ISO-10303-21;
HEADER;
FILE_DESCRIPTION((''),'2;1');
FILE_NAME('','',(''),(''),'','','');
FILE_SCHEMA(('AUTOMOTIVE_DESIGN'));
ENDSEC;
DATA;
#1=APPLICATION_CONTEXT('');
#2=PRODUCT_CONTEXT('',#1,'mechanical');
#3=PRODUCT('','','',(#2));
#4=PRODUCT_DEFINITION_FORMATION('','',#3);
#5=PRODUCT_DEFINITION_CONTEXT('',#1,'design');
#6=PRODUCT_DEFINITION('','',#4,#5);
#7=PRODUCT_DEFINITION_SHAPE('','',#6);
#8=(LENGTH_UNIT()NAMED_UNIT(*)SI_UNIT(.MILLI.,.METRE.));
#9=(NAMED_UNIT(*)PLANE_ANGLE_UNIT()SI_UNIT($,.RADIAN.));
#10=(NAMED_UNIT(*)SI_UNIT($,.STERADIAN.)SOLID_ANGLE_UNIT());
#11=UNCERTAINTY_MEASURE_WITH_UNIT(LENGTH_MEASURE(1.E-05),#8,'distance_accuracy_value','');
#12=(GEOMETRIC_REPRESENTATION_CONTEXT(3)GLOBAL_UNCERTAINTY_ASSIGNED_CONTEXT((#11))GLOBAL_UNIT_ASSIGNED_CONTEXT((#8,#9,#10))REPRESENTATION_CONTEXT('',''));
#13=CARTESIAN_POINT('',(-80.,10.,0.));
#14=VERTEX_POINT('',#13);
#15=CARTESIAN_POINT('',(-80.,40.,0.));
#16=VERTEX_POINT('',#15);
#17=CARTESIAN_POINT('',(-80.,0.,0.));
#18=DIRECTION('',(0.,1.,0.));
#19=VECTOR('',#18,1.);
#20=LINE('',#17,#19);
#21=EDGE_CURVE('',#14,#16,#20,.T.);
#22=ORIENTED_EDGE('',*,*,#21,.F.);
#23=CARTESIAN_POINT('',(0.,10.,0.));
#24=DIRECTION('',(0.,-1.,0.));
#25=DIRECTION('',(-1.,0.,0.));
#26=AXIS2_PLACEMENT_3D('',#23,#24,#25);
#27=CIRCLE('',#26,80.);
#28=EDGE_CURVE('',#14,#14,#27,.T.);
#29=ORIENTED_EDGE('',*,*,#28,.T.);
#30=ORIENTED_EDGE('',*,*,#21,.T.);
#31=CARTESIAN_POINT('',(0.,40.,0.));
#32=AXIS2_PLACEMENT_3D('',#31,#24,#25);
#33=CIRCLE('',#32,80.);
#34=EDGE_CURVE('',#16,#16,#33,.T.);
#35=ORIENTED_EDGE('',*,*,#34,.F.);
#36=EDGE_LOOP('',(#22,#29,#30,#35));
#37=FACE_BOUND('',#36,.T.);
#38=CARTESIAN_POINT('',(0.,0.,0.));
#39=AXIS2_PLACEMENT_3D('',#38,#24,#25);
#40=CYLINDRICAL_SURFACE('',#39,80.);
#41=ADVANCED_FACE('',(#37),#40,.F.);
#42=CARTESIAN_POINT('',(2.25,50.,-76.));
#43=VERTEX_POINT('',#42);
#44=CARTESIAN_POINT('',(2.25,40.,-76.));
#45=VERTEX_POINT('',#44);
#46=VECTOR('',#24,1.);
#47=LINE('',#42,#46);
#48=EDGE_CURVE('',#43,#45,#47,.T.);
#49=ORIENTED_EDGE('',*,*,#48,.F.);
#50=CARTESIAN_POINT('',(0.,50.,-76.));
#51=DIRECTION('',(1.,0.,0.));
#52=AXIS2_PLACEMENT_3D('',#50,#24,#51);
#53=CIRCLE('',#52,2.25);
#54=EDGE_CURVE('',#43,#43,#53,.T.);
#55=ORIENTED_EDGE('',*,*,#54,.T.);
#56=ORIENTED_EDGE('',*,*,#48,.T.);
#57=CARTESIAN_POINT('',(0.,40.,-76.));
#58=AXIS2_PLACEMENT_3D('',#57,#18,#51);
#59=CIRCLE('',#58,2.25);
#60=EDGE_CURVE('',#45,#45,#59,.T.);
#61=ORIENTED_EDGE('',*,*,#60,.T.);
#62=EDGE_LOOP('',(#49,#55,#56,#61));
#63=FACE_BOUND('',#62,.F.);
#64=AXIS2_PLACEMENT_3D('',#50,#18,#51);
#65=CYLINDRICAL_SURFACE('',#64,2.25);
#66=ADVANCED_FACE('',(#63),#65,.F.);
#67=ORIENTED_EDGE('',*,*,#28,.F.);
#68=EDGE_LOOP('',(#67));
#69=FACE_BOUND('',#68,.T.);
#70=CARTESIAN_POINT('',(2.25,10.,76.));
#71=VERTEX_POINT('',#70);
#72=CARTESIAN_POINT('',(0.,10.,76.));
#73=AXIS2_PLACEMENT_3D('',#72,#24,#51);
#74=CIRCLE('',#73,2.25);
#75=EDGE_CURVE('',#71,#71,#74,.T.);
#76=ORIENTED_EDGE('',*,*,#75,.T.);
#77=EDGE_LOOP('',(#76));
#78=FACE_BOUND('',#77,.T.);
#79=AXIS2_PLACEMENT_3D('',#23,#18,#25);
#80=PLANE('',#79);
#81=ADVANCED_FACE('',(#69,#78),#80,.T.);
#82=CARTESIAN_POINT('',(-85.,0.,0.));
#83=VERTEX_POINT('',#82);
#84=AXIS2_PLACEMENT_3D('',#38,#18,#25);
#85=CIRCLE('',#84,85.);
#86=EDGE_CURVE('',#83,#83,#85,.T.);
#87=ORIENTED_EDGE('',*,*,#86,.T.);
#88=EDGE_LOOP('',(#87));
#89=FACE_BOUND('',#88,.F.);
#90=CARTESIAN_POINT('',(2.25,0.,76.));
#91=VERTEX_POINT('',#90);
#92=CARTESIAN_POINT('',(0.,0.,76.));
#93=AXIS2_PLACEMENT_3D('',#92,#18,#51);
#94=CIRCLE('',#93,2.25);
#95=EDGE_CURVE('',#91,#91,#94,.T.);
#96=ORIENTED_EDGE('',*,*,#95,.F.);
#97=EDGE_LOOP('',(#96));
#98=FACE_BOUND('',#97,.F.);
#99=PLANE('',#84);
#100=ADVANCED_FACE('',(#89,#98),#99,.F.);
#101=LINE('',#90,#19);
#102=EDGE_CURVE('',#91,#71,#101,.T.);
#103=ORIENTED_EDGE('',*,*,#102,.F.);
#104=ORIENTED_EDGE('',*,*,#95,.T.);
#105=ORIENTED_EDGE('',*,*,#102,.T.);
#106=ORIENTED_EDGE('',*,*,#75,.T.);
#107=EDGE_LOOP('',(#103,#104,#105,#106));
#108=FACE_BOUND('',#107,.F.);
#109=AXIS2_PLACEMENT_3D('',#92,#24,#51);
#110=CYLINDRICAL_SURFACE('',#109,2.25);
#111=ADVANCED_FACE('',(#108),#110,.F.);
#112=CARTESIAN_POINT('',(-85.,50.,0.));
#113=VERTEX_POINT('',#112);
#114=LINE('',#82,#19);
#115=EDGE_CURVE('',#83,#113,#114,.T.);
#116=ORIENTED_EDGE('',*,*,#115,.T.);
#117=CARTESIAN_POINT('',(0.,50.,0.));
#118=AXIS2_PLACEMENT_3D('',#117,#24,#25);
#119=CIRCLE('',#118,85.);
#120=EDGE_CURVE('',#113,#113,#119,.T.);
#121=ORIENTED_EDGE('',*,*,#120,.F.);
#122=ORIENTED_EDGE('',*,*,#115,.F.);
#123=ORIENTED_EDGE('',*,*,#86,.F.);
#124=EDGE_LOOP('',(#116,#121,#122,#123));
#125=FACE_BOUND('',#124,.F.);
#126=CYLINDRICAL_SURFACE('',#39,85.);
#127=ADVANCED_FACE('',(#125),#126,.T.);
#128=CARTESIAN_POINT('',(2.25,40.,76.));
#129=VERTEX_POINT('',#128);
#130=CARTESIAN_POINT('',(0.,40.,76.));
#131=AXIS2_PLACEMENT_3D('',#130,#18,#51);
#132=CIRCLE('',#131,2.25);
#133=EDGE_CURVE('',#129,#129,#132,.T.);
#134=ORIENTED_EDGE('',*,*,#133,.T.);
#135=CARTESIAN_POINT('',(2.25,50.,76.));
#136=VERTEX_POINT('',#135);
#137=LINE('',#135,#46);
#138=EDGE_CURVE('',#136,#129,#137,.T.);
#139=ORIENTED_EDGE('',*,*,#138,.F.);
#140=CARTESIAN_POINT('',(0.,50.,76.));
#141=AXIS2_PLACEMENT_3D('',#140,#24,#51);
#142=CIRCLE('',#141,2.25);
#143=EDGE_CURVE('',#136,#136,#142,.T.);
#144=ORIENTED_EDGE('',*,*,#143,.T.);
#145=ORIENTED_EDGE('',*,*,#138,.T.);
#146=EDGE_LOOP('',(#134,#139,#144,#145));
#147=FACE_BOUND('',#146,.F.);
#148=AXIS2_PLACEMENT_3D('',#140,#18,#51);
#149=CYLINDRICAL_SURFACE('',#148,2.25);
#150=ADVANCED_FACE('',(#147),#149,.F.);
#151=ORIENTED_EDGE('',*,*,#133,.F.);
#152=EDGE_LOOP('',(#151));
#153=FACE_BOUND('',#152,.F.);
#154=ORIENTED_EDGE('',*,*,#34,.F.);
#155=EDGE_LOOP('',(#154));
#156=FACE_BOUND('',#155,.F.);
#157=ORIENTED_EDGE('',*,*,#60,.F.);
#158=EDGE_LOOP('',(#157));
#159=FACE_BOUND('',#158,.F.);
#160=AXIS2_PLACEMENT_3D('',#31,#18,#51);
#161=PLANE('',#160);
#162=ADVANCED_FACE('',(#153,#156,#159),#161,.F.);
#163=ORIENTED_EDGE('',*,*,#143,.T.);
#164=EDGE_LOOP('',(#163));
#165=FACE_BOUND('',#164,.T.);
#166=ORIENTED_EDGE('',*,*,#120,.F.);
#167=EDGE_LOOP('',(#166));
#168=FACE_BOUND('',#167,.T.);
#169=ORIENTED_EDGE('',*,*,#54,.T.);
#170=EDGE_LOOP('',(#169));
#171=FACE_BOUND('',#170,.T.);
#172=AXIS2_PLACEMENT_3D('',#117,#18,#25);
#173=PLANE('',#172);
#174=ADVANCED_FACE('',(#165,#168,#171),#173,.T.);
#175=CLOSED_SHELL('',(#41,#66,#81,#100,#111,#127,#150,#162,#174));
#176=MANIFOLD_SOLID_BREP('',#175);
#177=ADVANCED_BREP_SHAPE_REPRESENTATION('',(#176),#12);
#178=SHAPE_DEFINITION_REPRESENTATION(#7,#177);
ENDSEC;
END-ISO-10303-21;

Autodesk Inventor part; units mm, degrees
ref_plane "YZ Plane" through (0, 0, 0) normal (1, 0, 0) x (0, 1, 0)
ref_plane "XZ Plane" through (0, 0, 0) normal (0, 1, 0) x (-1, 0, 0)
ref_plane "XY Plane" through (0, 0, 0) normal (0, 0, 1) x (1, 0, 0)
sketch "Sketch1" plane through (0, 0, 0) normal (0, 1, 0) x (-1, 0, 0)
  circle A0 centre (0, 0) radius 85
  circle A1 centre (0, 0) radius 80
  dimension "d0" = 170
  dimension "d1" = 160
extrude "Extrusion1" add sketch "Sketch1" along normal blind 10 contours A0 | A1
extrude "Extrusion2" add sketch "Sketch1" along normal blind 50
sketch "Sketch2" plane through (0, 50, 0) normal (0, 1, 0) x (1, 0, 0)
  circle A0 centre (0, 0) radius 85
extrude "Extrusion3" add sketch "Sketch2" against normal blind 10
sketch "Sketch3" plane through (0, 50, 0) normal (0, 1, 0) x (1, 0, 0)
  circle A0 centre (0, 0) radius 76
  circle A1 centre (0, -76) radius 2.25
  circle A2 centre (0, 76) radius 2.25
  dimension "d8" = 152
  dimension "d9" = 4.5
  dimension "d10" = 4.5
extrude "Extrusion4" cut sketch "Sketch3" against normal blind 10 contours A2 A0 | A0 A2 | A1 A0 | A0 A1
sketch "Sketch4" plane through (0, 0, 0) normal (0, -1, 0) x (1, 0, 0)
  circle A0 centre (0, -76) radius 2.25 projected
  circle A1 centre (0, 0) radius 76
  circle A2 centre (0, 76) radius 2.25
extrude "Extrusion5" cut sketch "Sketch4" against normal blind 10 contours A2 A1 | A1 A2
properties part number "Capsule"
